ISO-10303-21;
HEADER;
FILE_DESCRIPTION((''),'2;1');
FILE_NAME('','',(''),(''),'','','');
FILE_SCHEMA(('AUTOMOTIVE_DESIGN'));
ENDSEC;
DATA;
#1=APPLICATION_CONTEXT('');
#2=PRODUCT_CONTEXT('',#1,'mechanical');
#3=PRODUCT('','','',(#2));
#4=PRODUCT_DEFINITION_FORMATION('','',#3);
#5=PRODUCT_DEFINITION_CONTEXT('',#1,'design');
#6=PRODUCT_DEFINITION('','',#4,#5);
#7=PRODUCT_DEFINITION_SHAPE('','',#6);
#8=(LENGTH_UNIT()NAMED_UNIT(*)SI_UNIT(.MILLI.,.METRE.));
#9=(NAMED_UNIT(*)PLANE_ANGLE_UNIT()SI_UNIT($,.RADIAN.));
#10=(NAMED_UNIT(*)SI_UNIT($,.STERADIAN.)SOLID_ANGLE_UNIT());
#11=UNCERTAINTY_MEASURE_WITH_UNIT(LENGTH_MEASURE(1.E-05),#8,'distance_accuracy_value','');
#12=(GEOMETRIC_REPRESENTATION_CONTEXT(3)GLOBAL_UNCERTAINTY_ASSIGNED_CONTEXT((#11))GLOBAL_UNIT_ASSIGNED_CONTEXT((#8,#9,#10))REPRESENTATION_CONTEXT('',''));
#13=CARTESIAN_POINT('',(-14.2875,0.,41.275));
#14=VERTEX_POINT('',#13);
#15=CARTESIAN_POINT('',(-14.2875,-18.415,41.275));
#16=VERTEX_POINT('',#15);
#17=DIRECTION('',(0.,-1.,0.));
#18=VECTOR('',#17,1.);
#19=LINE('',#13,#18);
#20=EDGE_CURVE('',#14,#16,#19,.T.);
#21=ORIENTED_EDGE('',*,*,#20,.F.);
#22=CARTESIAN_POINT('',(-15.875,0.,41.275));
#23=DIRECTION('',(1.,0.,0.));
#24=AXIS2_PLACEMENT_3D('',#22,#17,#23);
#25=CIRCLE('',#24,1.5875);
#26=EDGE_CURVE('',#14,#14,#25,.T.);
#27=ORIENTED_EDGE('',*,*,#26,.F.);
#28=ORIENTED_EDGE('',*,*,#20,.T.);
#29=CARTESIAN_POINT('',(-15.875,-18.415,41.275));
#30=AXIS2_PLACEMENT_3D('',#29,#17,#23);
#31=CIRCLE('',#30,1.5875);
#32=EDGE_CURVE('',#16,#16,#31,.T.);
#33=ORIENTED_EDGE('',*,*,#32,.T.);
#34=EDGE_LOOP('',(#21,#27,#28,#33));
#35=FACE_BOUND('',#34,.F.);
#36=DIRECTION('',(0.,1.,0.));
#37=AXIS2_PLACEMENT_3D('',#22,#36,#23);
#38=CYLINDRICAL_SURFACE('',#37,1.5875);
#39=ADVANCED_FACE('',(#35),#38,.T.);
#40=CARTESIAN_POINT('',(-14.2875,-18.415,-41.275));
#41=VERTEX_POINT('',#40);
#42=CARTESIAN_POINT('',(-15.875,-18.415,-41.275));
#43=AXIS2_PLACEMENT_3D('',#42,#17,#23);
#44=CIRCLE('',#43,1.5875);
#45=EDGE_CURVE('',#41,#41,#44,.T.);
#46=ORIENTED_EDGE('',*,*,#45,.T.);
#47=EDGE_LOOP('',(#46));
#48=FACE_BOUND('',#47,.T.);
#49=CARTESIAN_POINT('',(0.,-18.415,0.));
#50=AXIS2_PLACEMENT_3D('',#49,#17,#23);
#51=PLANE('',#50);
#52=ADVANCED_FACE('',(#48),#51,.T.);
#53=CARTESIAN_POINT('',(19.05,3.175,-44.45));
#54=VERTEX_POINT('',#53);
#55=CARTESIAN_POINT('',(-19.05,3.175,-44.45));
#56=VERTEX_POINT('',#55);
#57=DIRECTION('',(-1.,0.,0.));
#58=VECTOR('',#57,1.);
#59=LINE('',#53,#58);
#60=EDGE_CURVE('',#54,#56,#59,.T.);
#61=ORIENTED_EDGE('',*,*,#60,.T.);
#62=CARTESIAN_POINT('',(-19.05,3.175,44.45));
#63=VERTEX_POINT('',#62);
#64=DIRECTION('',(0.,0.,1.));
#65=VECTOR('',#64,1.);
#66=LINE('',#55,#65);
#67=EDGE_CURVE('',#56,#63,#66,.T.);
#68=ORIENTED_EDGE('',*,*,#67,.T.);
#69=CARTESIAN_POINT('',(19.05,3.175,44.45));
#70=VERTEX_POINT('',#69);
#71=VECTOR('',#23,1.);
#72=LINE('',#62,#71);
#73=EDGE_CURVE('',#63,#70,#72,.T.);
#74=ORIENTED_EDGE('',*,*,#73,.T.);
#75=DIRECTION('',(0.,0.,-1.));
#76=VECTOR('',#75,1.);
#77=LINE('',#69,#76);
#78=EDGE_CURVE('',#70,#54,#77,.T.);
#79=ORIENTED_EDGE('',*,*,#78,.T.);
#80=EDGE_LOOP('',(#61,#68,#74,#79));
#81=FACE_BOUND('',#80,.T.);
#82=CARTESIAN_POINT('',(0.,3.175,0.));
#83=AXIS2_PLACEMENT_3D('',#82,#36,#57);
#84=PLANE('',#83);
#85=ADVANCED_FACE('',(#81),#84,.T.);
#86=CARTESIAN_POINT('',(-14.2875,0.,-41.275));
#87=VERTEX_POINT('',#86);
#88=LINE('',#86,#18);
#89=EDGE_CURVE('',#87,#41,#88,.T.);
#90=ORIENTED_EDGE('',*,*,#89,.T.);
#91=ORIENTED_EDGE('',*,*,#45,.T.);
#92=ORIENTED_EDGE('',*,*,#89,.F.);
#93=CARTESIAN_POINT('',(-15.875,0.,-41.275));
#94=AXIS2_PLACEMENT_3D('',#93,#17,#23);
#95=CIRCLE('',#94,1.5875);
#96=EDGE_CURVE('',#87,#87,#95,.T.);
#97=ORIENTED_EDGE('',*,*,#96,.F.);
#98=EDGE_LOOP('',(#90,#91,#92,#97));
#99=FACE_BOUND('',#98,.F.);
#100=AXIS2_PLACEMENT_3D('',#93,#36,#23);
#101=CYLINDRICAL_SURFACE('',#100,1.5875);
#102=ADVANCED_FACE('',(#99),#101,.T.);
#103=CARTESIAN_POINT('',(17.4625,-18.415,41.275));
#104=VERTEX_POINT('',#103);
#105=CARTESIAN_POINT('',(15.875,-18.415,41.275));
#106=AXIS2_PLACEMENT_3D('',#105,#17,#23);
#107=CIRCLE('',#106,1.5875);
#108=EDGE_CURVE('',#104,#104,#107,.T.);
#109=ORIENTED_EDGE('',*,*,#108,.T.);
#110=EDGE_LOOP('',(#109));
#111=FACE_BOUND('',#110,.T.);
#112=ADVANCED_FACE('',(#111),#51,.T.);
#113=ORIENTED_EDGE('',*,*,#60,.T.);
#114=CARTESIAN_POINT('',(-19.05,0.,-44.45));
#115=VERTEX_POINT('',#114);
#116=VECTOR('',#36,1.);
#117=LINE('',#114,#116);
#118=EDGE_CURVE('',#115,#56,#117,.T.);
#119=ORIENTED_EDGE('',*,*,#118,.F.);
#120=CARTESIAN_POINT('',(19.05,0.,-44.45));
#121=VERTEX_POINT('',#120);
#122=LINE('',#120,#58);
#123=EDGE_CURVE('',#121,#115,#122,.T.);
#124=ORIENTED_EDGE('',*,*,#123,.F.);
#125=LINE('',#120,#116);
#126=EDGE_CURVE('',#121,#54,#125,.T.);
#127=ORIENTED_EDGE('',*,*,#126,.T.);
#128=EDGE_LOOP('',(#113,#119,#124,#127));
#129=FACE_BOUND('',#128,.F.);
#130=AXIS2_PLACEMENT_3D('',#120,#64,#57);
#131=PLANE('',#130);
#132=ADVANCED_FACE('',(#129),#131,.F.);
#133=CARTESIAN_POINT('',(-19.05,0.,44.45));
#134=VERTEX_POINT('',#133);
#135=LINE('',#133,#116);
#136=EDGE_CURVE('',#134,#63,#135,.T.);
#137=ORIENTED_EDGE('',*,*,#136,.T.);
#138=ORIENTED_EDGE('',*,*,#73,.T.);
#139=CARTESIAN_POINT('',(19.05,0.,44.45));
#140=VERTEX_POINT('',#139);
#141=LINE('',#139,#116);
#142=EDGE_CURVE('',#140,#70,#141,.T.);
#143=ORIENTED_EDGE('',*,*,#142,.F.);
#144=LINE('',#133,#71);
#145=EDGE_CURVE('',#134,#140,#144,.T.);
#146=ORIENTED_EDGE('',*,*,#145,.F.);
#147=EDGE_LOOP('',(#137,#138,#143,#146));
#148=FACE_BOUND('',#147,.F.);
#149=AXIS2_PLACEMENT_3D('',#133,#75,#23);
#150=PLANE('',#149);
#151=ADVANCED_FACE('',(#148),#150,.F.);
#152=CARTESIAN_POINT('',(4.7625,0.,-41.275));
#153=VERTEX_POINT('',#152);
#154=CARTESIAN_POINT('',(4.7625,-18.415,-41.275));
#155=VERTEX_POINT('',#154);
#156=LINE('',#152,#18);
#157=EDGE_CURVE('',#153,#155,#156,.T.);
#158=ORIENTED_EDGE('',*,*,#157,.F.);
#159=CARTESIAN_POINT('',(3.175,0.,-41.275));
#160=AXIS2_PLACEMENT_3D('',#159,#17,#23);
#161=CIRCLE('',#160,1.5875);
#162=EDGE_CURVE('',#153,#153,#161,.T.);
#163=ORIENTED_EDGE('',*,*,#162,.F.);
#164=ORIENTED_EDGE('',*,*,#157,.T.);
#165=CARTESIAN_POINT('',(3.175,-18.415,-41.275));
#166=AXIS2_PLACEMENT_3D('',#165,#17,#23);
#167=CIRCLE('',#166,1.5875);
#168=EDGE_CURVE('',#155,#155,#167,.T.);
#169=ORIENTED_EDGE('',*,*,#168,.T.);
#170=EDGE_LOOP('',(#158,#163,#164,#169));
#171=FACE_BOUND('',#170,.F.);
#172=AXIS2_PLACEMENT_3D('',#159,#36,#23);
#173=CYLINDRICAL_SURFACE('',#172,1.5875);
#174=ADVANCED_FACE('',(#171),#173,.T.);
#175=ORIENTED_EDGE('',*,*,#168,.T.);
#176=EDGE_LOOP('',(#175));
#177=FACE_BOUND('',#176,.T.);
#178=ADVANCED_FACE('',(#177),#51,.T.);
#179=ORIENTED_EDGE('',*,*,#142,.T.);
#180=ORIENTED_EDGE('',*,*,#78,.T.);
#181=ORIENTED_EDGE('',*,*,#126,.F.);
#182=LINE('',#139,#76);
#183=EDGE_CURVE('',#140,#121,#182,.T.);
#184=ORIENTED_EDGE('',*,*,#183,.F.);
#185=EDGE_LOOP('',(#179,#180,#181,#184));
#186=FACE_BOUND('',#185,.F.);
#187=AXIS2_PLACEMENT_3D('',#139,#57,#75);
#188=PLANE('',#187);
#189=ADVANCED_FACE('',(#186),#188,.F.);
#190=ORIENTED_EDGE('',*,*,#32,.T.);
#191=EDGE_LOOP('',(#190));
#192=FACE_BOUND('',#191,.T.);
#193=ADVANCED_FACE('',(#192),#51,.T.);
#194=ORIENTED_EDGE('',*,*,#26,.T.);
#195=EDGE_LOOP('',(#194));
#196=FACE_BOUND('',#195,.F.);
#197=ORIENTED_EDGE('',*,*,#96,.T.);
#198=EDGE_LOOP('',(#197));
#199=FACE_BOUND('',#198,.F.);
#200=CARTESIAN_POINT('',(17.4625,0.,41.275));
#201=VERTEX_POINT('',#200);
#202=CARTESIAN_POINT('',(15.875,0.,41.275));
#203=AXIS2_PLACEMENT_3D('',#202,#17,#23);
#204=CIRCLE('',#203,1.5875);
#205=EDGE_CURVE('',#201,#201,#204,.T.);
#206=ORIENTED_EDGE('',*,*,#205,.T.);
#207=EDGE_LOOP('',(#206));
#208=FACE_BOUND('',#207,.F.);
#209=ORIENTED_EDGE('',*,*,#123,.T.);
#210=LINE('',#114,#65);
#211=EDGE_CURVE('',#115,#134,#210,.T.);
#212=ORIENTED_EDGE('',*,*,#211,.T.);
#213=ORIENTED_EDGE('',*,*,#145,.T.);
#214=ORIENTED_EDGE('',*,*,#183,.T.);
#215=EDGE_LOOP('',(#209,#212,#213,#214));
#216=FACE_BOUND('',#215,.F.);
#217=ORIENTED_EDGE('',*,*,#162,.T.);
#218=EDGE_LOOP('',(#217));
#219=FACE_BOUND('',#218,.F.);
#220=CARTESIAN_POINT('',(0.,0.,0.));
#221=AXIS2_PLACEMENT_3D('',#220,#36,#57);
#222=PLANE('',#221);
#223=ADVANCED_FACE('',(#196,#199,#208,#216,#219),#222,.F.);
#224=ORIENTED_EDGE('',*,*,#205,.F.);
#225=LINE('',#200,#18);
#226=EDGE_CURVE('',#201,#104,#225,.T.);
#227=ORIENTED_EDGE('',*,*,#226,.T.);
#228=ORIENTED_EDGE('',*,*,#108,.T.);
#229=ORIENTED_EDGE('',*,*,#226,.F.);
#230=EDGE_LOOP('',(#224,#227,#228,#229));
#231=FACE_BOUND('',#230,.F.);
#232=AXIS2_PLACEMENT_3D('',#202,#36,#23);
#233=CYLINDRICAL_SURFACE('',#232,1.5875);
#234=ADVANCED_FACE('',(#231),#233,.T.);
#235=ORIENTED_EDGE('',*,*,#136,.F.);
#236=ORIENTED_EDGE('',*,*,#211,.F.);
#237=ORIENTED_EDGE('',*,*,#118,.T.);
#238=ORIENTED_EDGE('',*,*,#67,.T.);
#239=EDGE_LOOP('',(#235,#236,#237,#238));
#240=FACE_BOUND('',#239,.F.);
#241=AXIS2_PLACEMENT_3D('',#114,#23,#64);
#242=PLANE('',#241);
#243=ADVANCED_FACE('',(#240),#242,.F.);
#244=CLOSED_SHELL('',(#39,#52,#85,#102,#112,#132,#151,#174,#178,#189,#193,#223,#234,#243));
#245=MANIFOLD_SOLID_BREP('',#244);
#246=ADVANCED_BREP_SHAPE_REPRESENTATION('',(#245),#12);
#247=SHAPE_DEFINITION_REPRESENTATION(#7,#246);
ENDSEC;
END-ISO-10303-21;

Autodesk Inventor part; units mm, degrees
ref_plane "YZ Plane" through (0, 0, 0) normal (1, 0, 0) x (0, 1, 0)
ref_plane "XZ Plane" through (0, 0, 0) normal (0, 1, 0) x (-1, 0, 0)
ref_plane "XY Plane" through (0, 0, 0) normal (0, 0, 1) x (1, 0, 0)
sketch "Sketch1" plane through (0, 0, 0) normal (0, 1, 0) x (-1, 0, 0)
  line L0 (19.05, 44.45) -> (-19.05, 44.45)
  line L1 (-19.05, 44.45) -> (-19.05, -44.45)
  line L2 (-19.05, -44.45) -> (19.05, -44.45)
  line L3 (19.05, -44.45) -> (19.05, 44.45)
  circle A0 centre (11.5, 29) radius 1.375 construction
  circle A1 centre (11.5, -29) radius 1.375 construction
  circle A2 centre (-11.5, 29) radius 1.375 construction
  circle A3 centre (-11.5, -29) radius 1.375 construction
  point P0 (0, 0)
  dimension "d0" = 88.9
  dimension "d1" = 38.1
  dimension "d2" = 19.05
  dimension "d3" = 44.45
  dimension "d4" = 2.75
  dimension "d5" = 2.75
  dimension "d6" = 2.75
  dimension "d7" = 2.75
  dimension "d8" = 58
  dimension "d9" = 58
  dimension "d10" = 23
  dimension "d11" = 11.5
  dimension "d12" = 29
  dimension "d13" = 29
  dimension "d14" = 23
  dimension "d15" = 11.5
extrude "Extrusion1" add sketch "Sketch1" along normal blind 3.175
sketch "Sketch2" plane through (0, 0, 0) normal (0, -1, 0) x (1, 0, 0)
  circle A0 centre (15.875, 41.275) radius 1.5875
  circle A1 centre (-15.875, 41.275) radius 1.5875
  circle A2 centre (-15.875, -41.275) radius 1.5875
  circle A3 centre (3.175, -41.275) radius 1.5875
  line L0 (-19.05, 44.45) -> (19.05, 44.45) projected
  line L1 (-19.05, -44.45) -> (-19.05, 44.45) projected
  line L2 (19.05, 44.45) -> (19.05, -44.45) projected
  line L3 (19.05, -44.45) -> (-19.05, -44.45) projected
  point P0 (0, 0)
  dimension "d18" = 3.175
  dimension "d19" = 3.175
  dimension "d20" = 3.175
  dimension "d21" = 3.175
  dimension "d22" = 15.875
  dimension "d23" = 3.175
  dimension "d24" = 3.175
  dimension "d25" = 3.175
  dimension "d26" = 3.175
  dimension "d27" = 3.175
  dimension "d28" = 3.175
  dimension "d29" = 3.175
extrude "Extrusion2" add sketch "Sketch2" along normal blind 18.415 contours A0 | A1 | A2 | A3
sketch "Sketch3" plane through (0, 3.175, 0) normal (0, 1, 0) x (1, 0, 0)
  circle A0 centre (-14.2875, 17.5562) radius 1.6764
  circle A1 centre (-14.2875, 31.75) radius 1.6764
  line L0 (19.05, -44.45) -> (19.05, 44.45) projected
  line L1 (-19.05, -44.45) -> (19.05, -44.45) projected
  line L2 (-14.2875, 31.75) -> (-14.2875, 17.5562) construction
  line L3 (-19.05, 44.45) -> (-19.05, -44.45) projected
  line L4 (19.05, 44.45) -> (-19.05, 44.45) projected
  point P0 (0, 0)
  dimension "d32" = 3.3528
  dimension "d33" = 3.3528
  dimension "d34" = 14.1938
  dimension "d39" = 4.7625
  dimension "d40" = 12.7
extrude "Extrusion3" [suppressed]
equation "\"d2\" = 0.5 * d1"
equation "\"d3\" = 0.5 * d0"
equation "\"d5\" = d4"
equation "\"d6\" = d4"
equation "\"d7\" = d4"
equation "\"d9\" = d8"
equation "\"d11\" = 0.5 * d10"
equation "\"d12\" = 0.5 * d8"
equation "\"d13\" = 0.5 * d9"
equation "\"d14\" = d10"
equation "\"d15\" = 0.5 * d14"
equation "\"d19\" = d18"
equation "\"d20\" = d21"
equation "\"d23\" = d18"
equation "\"d24\" = d18"
equation "\"d25\" = d21"
equation "\"d27\" = d26"
equation "\"d28\" = d26"
equation "\"d29\" = d26"
equation "\"d32\" = d33"
properties part number "Pi Holder Mk2" material "Aluminum 6061"
